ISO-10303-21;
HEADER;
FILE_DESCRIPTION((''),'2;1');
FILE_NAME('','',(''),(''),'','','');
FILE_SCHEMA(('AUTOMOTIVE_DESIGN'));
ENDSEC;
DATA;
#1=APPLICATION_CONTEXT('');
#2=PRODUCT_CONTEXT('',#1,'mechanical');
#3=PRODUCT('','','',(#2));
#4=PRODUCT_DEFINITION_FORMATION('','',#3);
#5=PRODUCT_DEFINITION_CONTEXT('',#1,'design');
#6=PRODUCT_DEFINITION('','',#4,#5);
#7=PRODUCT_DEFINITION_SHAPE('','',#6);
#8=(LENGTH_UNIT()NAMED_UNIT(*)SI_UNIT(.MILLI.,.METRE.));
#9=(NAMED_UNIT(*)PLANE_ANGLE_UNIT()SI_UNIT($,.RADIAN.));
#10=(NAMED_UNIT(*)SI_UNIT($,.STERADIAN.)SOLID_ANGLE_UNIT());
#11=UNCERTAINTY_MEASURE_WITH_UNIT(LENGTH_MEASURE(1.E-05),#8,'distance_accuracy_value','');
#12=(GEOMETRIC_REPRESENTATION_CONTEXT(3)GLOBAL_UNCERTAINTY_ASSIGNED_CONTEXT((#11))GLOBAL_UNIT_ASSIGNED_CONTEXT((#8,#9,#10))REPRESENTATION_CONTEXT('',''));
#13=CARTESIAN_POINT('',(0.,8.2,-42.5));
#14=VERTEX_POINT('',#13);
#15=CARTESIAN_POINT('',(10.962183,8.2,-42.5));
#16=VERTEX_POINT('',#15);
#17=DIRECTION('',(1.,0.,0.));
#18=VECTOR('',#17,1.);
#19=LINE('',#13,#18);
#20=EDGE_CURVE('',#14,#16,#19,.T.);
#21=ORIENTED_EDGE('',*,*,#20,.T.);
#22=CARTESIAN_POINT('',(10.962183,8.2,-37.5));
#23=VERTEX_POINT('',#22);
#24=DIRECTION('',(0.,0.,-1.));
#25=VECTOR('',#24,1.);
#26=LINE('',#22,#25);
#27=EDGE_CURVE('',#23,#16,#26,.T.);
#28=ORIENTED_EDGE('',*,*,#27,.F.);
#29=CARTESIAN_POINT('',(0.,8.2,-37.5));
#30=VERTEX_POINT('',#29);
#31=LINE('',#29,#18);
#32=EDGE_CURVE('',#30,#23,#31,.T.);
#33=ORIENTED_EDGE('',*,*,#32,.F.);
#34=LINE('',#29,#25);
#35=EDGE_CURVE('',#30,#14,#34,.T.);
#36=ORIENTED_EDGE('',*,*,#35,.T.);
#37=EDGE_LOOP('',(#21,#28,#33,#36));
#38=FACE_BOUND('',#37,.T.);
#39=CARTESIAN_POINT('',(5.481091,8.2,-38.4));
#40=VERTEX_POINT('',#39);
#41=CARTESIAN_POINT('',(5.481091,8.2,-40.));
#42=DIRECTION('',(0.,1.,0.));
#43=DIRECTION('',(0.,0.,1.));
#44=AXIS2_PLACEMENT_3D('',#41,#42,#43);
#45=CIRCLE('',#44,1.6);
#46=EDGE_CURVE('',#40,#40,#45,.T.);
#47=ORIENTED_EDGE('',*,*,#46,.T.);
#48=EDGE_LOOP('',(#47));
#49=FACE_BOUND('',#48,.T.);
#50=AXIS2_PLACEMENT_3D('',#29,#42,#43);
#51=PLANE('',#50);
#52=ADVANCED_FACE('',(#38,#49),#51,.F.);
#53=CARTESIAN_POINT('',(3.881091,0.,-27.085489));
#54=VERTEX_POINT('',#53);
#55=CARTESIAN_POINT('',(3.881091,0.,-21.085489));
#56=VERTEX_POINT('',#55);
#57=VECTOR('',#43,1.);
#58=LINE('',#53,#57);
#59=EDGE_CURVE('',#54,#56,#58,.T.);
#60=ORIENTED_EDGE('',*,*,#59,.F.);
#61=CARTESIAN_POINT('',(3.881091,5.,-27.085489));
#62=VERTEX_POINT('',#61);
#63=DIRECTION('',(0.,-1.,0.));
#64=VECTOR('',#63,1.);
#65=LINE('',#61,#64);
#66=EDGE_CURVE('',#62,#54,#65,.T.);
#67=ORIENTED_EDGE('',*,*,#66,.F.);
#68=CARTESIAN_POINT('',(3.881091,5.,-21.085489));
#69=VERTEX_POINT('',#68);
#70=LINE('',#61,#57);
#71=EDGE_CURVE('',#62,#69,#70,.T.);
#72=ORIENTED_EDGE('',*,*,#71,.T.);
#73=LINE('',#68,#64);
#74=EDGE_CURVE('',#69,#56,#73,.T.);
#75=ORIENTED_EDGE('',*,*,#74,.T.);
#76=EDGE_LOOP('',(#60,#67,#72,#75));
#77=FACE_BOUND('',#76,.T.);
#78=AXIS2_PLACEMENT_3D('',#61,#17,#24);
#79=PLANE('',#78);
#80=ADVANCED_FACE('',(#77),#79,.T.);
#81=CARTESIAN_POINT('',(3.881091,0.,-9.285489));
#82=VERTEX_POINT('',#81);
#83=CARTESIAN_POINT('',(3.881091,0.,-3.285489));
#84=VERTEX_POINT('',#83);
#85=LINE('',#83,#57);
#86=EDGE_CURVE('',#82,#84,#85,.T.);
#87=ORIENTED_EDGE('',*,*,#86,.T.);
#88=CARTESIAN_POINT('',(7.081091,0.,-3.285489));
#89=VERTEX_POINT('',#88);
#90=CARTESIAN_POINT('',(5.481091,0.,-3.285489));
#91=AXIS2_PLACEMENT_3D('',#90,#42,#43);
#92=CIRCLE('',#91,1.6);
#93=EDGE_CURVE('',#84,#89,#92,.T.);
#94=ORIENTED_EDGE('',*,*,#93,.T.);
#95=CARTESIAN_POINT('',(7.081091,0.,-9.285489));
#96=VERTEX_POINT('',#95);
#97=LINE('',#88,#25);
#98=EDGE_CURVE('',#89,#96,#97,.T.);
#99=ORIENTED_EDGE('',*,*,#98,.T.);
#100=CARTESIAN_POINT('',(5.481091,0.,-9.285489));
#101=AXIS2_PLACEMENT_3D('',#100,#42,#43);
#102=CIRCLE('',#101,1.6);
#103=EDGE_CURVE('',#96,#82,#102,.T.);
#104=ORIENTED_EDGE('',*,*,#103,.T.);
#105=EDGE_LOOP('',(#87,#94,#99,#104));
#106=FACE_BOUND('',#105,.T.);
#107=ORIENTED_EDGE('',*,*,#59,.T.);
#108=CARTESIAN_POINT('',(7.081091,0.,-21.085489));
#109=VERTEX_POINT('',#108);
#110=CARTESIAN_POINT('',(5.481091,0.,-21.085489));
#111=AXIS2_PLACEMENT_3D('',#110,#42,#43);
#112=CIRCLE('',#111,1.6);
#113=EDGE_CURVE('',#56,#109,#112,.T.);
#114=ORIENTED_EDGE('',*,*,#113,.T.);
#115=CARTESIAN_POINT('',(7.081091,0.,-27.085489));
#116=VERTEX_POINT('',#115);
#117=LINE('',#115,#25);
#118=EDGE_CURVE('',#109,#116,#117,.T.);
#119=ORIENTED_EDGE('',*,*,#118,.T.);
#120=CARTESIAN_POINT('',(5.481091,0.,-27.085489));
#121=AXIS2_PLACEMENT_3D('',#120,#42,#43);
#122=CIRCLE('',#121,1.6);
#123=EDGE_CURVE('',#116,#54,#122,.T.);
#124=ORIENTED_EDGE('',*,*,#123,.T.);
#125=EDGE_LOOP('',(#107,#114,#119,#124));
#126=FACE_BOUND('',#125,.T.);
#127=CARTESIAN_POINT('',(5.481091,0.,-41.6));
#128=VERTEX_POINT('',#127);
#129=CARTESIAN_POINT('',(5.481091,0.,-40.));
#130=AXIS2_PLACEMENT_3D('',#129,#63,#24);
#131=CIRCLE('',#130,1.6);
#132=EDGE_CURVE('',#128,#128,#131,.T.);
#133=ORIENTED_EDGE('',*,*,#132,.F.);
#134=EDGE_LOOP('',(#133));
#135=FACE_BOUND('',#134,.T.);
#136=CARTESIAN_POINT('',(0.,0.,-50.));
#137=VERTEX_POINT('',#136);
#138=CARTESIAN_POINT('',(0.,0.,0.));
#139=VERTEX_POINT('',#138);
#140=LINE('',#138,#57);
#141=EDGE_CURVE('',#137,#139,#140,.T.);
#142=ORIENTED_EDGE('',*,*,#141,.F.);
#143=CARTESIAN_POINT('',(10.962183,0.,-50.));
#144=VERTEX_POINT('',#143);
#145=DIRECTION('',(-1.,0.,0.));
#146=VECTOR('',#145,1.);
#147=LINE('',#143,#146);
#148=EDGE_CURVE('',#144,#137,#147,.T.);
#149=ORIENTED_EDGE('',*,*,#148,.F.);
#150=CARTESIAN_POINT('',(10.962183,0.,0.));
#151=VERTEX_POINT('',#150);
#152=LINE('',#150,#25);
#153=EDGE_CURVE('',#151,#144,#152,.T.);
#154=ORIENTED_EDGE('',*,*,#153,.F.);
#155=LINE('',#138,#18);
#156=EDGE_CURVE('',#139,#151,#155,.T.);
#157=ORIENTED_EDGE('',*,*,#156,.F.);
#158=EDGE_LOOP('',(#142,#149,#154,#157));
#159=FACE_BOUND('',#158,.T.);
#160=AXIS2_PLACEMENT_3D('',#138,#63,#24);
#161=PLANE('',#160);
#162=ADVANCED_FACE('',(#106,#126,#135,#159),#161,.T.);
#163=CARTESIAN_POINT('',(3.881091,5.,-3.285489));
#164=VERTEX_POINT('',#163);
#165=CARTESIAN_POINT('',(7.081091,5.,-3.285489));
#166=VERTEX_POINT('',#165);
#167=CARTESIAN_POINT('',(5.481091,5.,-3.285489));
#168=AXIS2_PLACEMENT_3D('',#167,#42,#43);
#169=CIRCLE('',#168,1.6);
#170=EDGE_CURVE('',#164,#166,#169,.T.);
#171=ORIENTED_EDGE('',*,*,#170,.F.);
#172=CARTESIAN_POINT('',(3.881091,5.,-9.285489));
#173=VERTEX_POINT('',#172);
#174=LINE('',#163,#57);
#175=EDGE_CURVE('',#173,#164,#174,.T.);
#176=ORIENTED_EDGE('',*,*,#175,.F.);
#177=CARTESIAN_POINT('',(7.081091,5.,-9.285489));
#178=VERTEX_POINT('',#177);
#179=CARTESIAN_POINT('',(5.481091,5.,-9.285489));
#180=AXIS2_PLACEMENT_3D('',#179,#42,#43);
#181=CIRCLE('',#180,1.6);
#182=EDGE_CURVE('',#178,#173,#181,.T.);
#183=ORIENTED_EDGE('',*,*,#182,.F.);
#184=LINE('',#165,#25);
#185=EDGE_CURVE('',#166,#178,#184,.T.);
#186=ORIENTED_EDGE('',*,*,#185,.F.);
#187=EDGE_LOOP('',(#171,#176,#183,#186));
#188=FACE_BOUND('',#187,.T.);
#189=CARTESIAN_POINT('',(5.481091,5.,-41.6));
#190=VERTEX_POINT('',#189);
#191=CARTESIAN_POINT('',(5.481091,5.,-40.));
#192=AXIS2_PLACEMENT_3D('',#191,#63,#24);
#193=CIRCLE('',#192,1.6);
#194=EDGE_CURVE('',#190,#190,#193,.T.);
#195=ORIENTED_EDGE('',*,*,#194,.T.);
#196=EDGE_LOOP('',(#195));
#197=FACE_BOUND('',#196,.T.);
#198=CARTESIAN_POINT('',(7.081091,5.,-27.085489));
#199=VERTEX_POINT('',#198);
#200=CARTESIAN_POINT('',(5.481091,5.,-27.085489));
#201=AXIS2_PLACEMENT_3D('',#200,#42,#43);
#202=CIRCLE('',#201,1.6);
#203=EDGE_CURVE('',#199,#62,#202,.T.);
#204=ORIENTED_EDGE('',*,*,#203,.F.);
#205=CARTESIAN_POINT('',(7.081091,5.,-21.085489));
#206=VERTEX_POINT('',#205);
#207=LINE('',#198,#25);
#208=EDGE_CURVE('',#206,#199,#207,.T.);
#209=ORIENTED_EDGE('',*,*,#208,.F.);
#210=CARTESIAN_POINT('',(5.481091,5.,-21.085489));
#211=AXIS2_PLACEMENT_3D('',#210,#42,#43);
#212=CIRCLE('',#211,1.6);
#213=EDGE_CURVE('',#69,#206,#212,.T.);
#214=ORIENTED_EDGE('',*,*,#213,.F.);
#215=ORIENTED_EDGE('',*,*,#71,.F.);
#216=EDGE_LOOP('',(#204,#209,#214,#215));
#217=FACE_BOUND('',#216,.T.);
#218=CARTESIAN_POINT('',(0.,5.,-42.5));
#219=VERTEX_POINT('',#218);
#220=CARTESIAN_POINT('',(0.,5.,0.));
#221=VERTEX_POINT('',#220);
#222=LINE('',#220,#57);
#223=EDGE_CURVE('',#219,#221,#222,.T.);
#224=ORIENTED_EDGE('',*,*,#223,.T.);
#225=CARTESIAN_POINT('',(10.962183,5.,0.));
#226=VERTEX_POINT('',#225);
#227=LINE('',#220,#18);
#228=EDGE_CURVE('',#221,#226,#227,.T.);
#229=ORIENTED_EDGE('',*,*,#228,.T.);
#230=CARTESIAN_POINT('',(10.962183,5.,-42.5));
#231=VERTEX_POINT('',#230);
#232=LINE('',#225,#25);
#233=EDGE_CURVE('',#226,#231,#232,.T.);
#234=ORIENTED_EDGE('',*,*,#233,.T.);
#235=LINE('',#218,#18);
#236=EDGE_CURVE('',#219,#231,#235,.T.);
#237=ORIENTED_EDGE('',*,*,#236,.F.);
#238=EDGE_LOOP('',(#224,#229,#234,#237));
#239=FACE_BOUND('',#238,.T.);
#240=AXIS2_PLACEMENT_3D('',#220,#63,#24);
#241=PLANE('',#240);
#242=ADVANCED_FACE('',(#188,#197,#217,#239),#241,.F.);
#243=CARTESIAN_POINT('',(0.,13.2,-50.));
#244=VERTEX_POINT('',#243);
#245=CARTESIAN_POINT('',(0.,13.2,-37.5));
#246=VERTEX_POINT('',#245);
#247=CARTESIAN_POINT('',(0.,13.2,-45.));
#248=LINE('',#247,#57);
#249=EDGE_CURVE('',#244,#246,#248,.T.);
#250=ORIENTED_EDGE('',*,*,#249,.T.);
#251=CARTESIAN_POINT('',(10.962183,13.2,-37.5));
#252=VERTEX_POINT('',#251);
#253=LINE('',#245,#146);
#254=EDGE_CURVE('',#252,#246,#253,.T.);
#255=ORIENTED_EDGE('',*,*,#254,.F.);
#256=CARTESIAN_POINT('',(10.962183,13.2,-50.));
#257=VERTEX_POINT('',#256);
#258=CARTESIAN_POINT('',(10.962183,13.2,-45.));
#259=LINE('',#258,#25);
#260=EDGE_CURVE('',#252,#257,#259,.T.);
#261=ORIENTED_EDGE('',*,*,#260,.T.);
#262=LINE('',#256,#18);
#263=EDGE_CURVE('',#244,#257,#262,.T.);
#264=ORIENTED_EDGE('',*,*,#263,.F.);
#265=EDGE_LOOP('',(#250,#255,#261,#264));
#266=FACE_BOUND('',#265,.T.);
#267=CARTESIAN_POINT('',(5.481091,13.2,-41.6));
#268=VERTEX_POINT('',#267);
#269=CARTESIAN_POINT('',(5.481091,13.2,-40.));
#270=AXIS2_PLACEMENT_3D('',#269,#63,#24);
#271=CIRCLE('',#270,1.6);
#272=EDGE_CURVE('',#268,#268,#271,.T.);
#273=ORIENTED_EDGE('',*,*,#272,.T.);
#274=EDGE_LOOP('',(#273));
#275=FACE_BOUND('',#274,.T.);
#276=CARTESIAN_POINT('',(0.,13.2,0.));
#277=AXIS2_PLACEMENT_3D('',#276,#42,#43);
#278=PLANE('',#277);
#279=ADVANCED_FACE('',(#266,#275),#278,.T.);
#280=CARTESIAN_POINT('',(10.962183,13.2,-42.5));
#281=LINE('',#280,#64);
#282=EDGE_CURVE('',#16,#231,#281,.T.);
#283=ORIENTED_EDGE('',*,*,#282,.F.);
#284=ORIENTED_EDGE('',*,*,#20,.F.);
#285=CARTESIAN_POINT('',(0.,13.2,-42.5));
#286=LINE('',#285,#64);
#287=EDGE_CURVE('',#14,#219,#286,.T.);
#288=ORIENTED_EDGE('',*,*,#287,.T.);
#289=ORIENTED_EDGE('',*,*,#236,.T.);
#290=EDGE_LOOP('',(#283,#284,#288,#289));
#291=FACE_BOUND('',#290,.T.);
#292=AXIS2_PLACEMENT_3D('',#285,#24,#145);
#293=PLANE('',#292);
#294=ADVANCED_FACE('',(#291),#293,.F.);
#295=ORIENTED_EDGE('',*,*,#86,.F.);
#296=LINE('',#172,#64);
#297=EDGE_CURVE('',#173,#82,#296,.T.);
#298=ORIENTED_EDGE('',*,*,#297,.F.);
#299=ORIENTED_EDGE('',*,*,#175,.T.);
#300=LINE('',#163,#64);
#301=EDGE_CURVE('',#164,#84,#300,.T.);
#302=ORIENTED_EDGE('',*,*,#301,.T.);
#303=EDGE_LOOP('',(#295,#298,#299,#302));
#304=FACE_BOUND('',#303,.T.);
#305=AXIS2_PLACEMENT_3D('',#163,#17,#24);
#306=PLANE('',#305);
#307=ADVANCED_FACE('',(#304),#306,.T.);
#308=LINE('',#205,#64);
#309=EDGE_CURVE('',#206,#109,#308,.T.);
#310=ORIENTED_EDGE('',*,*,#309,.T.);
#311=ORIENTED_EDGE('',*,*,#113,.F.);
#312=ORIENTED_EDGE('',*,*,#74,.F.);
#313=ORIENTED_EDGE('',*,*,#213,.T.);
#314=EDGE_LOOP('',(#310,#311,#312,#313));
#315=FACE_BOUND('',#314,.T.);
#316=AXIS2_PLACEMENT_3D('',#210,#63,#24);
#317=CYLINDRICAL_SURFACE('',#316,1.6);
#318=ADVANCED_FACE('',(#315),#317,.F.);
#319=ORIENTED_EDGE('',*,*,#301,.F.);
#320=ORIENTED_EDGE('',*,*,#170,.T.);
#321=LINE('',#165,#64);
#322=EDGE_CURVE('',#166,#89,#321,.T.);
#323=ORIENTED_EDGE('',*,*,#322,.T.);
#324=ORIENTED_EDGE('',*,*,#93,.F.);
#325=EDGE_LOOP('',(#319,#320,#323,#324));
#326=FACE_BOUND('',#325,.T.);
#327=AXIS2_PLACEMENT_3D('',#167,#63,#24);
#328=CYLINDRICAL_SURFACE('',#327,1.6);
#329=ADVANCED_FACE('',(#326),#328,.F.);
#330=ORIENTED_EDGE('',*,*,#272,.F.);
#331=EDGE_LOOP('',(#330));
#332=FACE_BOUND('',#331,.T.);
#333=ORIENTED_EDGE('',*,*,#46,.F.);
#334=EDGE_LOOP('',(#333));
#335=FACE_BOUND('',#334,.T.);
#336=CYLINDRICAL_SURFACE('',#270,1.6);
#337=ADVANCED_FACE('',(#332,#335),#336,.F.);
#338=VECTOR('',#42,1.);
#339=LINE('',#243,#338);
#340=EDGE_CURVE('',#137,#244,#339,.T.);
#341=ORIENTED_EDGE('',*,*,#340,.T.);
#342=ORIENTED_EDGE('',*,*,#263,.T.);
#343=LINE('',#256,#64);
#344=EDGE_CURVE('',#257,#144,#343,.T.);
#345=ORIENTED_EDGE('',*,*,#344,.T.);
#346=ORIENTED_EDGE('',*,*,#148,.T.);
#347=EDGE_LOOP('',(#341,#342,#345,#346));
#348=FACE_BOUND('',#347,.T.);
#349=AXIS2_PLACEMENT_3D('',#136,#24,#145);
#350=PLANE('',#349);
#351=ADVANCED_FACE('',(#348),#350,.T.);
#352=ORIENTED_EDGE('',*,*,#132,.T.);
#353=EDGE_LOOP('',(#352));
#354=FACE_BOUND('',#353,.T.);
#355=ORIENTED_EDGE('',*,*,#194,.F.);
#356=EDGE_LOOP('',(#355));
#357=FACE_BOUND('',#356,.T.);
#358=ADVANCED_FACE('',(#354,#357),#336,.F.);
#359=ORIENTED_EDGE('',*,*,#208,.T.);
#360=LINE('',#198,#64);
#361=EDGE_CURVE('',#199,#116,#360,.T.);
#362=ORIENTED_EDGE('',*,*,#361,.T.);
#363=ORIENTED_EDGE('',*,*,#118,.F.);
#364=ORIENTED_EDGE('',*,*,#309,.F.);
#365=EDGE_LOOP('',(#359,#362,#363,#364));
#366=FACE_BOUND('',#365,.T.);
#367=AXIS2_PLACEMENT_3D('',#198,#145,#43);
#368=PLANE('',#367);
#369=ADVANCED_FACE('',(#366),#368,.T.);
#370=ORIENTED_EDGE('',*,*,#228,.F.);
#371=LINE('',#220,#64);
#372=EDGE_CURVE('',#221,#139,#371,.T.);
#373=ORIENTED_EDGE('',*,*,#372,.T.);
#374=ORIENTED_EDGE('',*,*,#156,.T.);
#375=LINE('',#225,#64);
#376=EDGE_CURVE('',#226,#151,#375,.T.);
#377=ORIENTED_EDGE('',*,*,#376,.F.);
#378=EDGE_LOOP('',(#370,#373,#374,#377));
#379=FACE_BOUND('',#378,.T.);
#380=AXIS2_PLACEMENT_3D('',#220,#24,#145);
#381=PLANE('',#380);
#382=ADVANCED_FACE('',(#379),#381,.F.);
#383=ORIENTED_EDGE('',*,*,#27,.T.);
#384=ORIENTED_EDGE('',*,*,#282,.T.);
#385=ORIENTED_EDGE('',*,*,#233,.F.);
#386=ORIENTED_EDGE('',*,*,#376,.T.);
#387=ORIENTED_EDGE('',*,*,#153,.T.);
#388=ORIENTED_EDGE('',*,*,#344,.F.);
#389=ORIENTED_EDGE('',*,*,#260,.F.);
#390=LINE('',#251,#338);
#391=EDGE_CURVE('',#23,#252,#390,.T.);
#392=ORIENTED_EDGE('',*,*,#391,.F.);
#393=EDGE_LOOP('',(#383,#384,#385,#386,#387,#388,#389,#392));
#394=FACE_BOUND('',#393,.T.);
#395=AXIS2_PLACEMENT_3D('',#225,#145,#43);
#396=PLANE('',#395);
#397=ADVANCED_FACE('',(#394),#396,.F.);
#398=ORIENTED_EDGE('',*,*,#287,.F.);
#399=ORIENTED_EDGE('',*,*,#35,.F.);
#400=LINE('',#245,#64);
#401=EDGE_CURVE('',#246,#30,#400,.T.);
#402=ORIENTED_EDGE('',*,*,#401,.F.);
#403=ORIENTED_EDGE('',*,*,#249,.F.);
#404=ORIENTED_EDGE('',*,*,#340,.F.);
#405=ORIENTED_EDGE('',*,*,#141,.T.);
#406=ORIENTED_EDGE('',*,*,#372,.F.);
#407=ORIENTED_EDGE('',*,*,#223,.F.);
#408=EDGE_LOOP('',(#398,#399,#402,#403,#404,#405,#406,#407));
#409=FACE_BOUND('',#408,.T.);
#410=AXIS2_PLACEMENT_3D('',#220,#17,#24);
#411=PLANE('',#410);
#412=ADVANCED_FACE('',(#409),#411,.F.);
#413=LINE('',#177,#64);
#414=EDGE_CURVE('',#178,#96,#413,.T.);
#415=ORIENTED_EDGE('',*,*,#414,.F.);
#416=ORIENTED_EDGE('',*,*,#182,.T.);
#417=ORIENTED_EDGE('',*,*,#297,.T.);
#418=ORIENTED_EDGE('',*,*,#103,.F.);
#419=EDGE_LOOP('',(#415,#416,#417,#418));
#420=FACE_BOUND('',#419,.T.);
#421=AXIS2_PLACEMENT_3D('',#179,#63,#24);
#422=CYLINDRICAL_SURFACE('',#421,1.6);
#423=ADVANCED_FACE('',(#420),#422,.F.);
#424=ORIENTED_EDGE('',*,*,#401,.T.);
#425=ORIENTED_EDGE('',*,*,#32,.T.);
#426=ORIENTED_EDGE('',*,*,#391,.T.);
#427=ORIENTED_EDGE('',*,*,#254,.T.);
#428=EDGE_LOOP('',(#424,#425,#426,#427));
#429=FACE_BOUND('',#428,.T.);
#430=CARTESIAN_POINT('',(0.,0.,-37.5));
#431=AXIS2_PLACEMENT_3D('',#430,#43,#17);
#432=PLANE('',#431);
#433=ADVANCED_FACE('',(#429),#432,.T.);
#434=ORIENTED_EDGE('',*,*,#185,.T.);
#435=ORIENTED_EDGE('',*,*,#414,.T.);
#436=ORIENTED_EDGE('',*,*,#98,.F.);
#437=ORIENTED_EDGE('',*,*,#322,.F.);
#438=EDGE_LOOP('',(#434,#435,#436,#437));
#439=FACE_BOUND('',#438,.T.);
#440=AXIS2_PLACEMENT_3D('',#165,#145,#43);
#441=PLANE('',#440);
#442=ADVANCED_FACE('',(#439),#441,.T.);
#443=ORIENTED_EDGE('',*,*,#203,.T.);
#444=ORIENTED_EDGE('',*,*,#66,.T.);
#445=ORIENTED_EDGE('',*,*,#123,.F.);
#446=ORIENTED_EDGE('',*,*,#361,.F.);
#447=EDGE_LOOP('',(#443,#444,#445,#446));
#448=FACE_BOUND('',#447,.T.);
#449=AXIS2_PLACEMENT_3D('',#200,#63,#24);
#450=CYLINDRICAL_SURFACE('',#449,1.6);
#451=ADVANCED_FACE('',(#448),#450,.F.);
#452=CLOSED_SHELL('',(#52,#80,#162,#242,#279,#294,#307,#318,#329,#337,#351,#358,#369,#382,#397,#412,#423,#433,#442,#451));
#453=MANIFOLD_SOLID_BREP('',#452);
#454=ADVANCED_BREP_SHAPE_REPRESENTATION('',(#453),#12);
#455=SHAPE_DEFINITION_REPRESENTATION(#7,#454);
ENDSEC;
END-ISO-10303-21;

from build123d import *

# Parameters (mm, degrees)
SKETCH1_W               = 10.962182916
SKETCH1_H               = 45
SKETCH1_R               = 1.25
BOSS_EXTRUDE1_DEPTH     = 5
SKETCH2_W               = 10.962182916
SKETCH2_H               = 2.5
BOSS_EXTRUDE2_DEPTH     = 8.2
SKETCH3_W               = 10.962182916
SKETCH3_H               = 5
BOSS_EXTRUDE3_DEPTH     = 5
CUT_EXTRUDE1_DEPTH      = 48.036256806
CUT_EXTRUDE1_DEPTH_BACK = 48.036256806
SKETCH4_R               = 1.6
SKETCH5_W               = 10.962182916
SKETCH5_H               = 13.2
BOSS_EXTRUDE4_DEPTH     = 5


with BuildPart() as part:
    # Sketch1 → Boss-Extrude1 (new body)
    with BuildSketch(Plane(origin=(0, 0, 0), x_dir=(1, 0, 0), z_dir=(0, 1, 0))):
        with Locations((5.481091458, 22.5)):
            Rectangle(SKETCH1_W, SKETCH1_H)
        with Locations(Location((5.481091458, 40, 0), (0, 0, 270))):
            Circle(SKETCH1_R, mode=Mode.SUBTRACT)
        with BuildLine():
            Line((7.081091458, 27.08548866), (7.081091458, 21.08548866))
            ThreePointArc((7.081091458, 21.08548866), (5.481091458, 19.48548866), (3.881091458, 21.08548866))
            Line((3.881091458, 21.08548866), (3.881091458, 27.08548866))
            ThreePointArc((3.881091458, 27.08548866), (5.481091458, 28.68548866), (7.081091458, 27.08548866))
        make_face(mode=Mode.SUBTRACT)
        with BuildLine():
            Line((3.881091458, 3.28548866), (3.881091458, 9.28548866))
            ThreePointArc((3.881091458, 9.28548866), (5.481091458, 10.88548866), (7.081091458, 9.28548866))
            Line((7.081091458, 9.28548866), (7.081091458, 3.28548866))
            ThreePointArc((7.081091458, 3.28548866), (5.481091458, 1.68548866), (3.881091458, 3.28548866))
        make_face(mode=Mode.SUBTRACT)
    extrude(amount=BOSS_EXTRUDE1_DEPTH)

    # Sketch2 → Boss-Extrude2 (add)
    with BuildSketch(Plane(origin=(0, 5, 0), x_dir=(1, 0, 0), z_dir=(0, 1, 0))):
        with Locations((5.481091458, 43.75)):
            Rectangle(SKETCH2_W, SKETCH2_H)
    extrude(amount=BOSS_EXTRUDE2_DEPTH)

    # Sketch3 → Boss-Extrude3 (add)
    with BuildSketch(Plane.XY.offset(-42.5)):
        with Locations((5.481091458, 10.7)):
            Rectangle(SKETCH3_W, SKETCH3_H)
    extrude(amount=BOSS_EXTRUDE3_DEPTH)

    # Sketch4 → Cut-Extrude1 (cut, two sides: drawn at the far end of the back side and taken through both)
    with BuildSketch(Plane.XZ.offset(-8.2).offset(-CUT_EXTRUDE1_DEPTH_BACK)):
        with Locations(Location((5.481091458, -40, 0), (0, 0, 270))):
            Circle(SKETCH4_R)
    extrude(amount=CUT_EXTRUDE1_DEPTH + CUT_EXTRUDE1_DEPTH_BACK, mode=Mode.SUBTRACT)

    # Sketch5 → Boss-Extrude4 (add)
    with BuildSketch(Plane(origin=(0, 0, -45), x_dir=(-1, 0, 0), z_dir=(0, 0, -1))):
        with Locations((-5.481091458, 6.6)):
            Rectangle(SKETCH5_W, SKETCH5_H)
    extrude(amount=BOSS_EXTRUDE4_DEPTH)


solid = part.part
